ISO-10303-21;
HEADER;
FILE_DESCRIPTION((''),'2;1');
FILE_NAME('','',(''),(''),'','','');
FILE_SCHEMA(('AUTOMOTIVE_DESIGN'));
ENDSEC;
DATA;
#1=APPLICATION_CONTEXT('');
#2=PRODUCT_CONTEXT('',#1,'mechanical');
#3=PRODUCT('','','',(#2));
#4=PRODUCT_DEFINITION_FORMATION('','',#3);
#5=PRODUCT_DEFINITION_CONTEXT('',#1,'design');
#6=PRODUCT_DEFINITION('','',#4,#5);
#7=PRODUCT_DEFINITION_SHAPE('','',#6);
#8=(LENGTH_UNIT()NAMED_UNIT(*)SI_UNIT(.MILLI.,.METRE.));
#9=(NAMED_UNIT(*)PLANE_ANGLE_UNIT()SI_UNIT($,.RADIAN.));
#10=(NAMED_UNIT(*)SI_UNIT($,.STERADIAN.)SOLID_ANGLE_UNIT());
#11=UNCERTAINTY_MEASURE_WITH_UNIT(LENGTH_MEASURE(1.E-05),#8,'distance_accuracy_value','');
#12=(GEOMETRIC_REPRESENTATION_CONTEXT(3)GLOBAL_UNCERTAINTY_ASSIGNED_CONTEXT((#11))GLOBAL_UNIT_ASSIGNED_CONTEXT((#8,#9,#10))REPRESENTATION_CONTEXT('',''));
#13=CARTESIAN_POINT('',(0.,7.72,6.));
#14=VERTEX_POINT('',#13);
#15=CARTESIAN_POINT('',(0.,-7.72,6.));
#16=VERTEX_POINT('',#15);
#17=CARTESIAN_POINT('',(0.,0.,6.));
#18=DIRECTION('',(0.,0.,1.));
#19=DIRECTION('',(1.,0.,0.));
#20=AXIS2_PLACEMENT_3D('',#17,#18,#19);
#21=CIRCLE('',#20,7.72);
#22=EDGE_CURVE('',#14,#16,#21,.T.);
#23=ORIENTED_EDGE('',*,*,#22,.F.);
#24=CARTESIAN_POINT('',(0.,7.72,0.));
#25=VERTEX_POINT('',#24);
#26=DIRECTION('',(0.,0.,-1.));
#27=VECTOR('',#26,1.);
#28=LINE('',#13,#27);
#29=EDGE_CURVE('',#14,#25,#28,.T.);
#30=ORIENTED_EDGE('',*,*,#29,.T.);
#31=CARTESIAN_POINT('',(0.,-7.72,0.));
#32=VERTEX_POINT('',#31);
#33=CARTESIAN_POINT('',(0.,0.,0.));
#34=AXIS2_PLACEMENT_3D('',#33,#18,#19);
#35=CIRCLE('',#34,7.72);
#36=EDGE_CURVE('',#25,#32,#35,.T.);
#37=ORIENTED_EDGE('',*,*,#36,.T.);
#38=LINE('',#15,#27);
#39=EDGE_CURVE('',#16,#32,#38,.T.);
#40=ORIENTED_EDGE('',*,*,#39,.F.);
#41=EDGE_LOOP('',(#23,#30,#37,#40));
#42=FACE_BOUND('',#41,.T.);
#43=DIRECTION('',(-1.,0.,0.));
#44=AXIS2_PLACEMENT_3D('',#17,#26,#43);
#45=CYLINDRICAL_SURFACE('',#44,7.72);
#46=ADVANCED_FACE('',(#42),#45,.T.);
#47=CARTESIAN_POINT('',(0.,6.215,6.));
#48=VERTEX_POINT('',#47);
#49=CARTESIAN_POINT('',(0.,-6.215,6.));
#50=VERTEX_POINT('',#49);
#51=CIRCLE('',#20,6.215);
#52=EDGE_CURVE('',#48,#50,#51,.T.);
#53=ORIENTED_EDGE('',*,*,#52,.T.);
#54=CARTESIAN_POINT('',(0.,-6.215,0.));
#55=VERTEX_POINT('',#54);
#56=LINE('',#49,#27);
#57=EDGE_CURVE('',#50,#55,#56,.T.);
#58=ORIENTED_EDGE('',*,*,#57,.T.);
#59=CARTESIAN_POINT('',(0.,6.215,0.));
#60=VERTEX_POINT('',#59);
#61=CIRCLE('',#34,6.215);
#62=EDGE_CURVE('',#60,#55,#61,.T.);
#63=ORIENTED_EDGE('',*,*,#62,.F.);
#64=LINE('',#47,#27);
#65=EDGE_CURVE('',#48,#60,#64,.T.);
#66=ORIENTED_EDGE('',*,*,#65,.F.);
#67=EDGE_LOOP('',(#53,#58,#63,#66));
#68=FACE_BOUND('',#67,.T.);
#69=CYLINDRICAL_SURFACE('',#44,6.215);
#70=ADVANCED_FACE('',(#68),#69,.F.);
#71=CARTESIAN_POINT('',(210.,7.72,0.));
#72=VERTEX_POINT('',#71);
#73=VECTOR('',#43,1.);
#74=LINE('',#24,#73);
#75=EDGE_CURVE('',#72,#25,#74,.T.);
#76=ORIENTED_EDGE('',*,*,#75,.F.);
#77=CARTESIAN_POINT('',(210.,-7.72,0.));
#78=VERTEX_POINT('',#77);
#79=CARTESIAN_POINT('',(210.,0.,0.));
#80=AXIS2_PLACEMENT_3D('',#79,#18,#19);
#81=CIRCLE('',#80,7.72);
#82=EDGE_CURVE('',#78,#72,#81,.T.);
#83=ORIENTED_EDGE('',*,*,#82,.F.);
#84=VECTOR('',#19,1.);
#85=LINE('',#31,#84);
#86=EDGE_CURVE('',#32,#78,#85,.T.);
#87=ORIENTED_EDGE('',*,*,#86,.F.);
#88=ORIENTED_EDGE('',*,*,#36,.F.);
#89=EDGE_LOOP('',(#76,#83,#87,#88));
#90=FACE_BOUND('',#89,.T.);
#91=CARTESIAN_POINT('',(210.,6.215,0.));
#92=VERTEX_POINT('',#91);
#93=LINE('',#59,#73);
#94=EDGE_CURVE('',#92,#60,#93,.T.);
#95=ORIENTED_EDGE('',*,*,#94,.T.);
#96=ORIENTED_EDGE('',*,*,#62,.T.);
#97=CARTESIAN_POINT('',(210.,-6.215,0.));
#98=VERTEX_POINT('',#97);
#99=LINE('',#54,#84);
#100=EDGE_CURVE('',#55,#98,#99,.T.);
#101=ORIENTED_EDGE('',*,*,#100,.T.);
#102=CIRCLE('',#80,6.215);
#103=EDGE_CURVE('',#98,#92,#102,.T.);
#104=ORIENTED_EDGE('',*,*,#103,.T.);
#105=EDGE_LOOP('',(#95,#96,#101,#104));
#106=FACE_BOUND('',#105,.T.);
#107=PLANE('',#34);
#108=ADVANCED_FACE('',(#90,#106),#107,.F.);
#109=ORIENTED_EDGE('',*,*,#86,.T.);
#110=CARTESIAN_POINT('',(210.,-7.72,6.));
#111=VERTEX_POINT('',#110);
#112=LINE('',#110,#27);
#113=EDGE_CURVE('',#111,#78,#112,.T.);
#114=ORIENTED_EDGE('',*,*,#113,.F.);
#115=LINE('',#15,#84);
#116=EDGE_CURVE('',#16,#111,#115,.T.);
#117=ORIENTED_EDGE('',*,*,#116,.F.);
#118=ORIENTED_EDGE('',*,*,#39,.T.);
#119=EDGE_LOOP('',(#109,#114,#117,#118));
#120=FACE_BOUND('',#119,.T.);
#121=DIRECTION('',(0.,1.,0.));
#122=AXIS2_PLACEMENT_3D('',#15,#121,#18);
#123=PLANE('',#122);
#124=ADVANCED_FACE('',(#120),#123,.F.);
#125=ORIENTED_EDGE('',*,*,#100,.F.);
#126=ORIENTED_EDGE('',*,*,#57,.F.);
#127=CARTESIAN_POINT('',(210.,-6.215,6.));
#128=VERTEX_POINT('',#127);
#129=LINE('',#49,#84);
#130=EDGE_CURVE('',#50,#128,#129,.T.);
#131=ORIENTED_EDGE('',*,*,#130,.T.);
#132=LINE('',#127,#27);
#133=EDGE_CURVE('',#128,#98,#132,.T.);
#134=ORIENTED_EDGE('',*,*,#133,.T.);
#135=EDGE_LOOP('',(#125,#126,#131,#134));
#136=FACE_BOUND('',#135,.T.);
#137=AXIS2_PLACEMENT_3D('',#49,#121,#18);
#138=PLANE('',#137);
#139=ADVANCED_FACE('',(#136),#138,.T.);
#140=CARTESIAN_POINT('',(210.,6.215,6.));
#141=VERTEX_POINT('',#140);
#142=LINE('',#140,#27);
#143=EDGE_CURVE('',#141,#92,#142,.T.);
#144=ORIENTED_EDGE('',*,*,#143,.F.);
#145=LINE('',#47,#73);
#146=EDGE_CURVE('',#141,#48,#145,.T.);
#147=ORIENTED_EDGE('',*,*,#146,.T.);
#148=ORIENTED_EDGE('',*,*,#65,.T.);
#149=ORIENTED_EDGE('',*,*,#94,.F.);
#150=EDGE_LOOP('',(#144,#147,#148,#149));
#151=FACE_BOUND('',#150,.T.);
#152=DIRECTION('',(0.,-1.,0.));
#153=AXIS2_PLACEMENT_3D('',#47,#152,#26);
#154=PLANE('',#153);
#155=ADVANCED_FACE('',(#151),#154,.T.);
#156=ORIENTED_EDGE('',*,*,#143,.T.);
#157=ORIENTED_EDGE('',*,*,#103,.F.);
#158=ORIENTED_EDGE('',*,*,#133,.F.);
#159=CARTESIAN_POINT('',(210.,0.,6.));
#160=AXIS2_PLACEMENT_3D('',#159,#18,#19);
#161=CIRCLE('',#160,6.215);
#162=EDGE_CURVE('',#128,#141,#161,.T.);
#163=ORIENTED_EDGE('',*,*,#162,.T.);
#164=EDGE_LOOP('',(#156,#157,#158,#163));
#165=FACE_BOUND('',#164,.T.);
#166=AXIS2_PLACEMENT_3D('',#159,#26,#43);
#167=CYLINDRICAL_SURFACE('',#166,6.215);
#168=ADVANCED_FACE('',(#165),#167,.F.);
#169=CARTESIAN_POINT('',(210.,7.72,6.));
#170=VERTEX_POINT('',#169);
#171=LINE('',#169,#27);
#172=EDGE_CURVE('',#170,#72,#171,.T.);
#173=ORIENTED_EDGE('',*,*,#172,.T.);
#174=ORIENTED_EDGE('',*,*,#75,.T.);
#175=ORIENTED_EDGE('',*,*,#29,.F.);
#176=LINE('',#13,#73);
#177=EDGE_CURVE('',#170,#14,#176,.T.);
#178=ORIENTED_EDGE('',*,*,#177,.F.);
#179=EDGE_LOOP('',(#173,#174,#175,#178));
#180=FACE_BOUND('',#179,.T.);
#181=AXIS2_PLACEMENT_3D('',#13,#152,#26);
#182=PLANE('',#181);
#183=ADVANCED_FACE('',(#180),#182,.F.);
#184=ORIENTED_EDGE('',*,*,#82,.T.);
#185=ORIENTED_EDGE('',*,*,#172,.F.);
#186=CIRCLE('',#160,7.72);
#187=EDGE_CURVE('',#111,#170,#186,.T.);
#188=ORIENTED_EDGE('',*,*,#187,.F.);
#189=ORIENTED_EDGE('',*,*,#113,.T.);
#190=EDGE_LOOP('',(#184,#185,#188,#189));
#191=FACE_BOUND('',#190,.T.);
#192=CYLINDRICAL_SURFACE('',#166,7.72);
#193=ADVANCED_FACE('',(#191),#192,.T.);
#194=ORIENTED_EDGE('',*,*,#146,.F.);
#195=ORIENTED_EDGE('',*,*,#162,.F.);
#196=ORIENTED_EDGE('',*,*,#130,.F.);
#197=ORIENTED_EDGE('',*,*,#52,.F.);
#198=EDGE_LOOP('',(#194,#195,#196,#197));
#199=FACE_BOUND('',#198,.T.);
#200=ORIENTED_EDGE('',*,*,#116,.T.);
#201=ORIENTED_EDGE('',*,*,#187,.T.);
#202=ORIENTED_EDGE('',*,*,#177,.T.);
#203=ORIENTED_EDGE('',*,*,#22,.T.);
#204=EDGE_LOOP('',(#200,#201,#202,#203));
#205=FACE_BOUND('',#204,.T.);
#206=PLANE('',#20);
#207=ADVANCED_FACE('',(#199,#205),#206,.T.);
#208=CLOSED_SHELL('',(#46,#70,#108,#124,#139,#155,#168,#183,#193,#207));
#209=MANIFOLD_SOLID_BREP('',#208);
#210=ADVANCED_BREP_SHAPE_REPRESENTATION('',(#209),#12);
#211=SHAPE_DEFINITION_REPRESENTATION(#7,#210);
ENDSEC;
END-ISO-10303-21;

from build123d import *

# Parameters (mm, degrees)
BOSS_EXTRUDE1_DEPTH = 6


with BuildPart() as part:
    # Sketch1 → Boss-Extrude1 (new body)
    with BuildSketch(Plane.XY):
        with BuildLine():
            Line((0, 7.72), (210, 7.72))
            ThreePointArc((210, 7.72), (217.72, 0), (210, -7.72))
            Line((210, -7.72), (0, -7.72))
            ThreePointArc((0, -7.72), (-7.72, 0), (0, 7.72))
        make_face()
        with BuildLine():
            Line((0, 6.215), (210, 6.215))
            ThreePointArc((210, 6.215), (216.215, 0), (210, -6.215))
            Line((210, -6.215), (0, -6.215))
            ThreePointArc((0, -6.215), (-6.215, 0), (0, 6.215))
        make_face(mode=Mode.SUBTRACT)
    extrude(amount=BOSS_EXTRUDE1_DEPTH)


solid = part.part
